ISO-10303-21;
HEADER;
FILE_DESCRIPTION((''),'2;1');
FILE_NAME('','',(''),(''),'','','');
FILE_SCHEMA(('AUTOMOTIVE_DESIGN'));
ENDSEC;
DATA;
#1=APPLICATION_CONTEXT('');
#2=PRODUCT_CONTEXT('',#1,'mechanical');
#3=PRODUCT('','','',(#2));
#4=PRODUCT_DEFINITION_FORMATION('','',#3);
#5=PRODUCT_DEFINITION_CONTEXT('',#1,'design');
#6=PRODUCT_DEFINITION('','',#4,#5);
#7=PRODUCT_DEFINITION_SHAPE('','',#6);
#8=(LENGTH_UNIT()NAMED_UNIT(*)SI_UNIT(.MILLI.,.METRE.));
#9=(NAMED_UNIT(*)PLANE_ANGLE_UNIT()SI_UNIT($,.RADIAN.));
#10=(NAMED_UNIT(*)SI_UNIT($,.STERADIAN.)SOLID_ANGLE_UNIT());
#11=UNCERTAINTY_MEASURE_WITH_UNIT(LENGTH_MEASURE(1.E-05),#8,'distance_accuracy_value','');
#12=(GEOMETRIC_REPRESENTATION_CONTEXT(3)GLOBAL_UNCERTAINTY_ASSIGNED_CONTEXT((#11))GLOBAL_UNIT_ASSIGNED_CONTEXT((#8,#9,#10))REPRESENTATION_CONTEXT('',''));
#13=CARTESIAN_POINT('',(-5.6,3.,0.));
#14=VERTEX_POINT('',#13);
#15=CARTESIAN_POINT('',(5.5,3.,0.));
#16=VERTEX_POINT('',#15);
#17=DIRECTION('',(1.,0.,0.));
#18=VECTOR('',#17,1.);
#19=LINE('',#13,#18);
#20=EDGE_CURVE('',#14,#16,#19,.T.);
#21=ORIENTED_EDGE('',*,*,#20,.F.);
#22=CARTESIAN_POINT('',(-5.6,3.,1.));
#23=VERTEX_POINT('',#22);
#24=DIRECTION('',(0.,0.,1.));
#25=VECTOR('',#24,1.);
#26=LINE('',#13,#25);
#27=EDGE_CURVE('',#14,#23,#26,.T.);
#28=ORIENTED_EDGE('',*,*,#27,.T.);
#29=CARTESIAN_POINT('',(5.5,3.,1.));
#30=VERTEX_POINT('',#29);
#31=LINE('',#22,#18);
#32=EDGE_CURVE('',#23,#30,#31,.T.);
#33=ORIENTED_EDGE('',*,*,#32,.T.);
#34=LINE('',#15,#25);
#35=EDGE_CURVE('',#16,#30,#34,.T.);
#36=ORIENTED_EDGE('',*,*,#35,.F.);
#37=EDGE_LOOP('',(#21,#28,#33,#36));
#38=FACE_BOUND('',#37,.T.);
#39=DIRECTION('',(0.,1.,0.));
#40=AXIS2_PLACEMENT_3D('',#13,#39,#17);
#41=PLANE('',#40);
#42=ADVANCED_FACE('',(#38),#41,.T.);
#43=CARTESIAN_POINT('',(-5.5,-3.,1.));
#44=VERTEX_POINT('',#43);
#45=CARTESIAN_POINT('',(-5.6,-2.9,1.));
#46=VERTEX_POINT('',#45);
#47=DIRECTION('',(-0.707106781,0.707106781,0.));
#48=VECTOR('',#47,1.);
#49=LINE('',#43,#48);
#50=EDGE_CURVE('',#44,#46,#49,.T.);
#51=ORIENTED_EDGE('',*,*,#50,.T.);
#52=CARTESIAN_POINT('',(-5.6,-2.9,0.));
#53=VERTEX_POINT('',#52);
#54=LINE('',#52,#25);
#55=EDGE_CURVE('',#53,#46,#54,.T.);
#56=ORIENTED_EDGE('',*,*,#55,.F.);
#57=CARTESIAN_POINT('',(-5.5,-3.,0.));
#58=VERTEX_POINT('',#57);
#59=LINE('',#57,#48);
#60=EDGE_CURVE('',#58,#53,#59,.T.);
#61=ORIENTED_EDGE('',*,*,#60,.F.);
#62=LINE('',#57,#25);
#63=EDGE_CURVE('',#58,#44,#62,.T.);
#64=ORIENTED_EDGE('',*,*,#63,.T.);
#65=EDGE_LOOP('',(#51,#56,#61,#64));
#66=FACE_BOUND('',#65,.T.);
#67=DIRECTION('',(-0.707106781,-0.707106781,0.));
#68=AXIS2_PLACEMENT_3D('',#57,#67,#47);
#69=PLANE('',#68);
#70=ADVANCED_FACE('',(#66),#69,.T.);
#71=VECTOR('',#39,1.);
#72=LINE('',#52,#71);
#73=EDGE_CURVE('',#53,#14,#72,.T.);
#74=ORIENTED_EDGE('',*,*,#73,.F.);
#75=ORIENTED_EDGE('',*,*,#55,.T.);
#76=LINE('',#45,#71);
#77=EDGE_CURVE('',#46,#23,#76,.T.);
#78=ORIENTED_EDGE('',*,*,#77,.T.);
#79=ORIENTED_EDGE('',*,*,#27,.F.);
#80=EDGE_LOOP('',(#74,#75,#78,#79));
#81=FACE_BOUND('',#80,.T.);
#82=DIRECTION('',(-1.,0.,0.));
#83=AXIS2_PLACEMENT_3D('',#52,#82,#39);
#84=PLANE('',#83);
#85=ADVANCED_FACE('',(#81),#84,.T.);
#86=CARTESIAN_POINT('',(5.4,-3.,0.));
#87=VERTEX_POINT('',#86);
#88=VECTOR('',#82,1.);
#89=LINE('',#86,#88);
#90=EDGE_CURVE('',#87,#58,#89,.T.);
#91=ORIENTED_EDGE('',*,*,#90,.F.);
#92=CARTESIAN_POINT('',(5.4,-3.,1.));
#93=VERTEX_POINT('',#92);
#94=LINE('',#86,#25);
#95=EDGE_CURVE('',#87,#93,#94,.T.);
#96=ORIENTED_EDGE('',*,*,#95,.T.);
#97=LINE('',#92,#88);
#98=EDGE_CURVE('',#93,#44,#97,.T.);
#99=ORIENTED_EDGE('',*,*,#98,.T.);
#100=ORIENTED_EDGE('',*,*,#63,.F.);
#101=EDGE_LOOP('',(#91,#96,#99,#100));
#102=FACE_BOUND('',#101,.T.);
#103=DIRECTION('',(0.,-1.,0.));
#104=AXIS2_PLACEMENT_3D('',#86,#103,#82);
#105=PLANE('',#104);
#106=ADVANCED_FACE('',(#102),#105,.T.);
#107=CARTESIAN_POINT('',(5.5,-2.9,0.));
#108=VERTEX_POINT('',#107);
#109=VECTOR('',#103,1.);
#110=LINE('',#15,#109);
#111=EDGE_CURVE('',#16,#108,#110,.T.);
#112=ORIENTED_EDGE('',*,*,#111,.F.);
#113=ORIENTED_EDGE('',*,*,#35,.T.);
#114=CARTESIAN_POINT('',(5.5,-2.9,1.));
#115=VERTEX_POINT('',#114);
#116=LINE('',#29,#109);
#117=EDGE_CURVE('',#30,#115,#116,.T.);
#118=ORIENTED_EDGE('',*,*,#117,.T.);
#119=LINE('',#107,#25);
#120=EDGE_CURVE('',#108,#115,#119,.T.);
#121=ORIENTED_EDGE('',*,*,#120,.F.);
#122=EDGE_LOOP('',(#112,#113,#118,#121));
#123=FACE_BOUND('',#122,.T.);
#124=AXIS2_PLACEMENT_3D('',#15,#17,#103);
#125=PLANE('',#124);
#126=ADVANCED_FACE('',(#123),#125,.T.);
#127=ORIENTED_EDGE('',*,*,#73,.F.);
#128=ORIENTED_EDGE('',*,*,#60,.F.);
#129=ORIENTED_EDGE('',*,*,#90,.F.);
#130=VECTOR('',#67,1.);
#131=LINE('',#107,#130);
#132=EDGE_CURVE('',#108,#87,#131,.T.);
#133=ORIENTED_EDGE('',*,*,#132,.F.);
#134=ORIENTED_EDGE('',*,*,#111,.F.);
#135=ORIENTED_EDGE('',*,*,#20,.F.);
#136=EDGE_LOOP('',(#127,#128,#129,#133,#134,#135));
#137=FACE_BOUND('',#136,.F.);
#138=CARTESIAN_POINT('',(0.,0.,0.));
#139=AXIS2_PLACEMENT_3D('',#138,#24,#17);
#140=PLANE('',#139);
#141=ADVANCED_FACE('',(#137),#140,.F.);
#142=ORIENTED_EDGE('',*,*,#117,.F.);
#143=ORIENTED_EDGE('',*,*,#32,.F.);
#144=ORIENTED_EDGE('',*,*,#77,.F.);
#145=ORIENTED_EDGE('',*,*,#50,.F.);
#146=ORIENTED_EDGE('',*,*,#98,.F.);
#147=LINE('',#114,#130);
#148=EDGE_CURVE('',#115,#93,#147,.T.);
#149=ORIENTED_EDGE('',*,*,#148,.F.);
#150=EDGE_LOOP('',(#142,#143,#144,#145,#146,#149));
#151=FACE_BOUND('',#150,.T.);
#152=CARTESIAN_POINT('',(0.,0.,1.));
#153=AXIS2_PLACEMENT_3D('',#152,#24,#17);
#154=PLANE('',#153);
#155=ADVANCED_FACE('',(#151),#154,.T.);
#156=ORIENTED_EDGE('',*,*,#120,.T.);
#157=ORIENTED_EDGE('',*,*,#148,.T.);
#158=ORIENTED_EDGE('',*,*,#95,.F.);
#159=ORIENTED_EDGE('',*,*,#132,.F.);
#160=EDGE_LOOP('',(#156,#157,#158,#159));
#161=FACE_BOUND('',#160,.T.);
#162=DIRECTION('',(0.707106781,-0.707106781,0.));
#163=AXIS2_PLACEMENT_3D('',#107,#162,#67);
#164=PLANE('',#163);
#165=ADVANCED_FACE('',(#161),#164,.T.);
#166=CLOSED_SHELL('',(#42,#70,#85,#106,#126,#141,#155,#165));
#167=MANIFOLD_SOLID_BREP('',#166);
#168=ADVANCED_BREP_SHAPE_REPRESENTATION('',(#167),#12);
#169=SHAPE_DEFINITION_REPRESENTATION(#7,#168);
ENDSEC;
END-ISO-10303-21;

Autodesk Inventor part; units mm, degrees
ref_plane "YZ Plane" through (0, 0, 0) normal (1, 0, 0) x (0, 1, 0)
ref_plane "XZ Plane" through (0, 0, 0) normal (0, 1, 0) x (-1, 0, 0)
ref_plane "XY Plane" through (0, 0, 0) normal (0, 0, 1) x (1, 0, 0)
sketch "PCBSW_SMT, SW_SM_PUSHB_300" plane through (0, 0, 0) normal (0, 0, 1) x (1, 0, 0)
  line L0 (-5.6, 3) -> (5.5, 3)
  line L1 (5.5, 3) -> (5.5, -2.9)
  line L2 (5.5, -2.9) -> (5.4, -3)
  line L3 (5.4, -3) -> (-5.5, -3)
  line L4 (-5.5, -3) -> (-5.6, -2.9)
  line L5 (-5.6, -2.9) -> (-5.6, 3)
extrude "Extrusion1" add sketch "PCBSW_SMT, SW_SM_PUSHB_300" along normal blind 1
properties part number "SW_SM_PUSHB"
